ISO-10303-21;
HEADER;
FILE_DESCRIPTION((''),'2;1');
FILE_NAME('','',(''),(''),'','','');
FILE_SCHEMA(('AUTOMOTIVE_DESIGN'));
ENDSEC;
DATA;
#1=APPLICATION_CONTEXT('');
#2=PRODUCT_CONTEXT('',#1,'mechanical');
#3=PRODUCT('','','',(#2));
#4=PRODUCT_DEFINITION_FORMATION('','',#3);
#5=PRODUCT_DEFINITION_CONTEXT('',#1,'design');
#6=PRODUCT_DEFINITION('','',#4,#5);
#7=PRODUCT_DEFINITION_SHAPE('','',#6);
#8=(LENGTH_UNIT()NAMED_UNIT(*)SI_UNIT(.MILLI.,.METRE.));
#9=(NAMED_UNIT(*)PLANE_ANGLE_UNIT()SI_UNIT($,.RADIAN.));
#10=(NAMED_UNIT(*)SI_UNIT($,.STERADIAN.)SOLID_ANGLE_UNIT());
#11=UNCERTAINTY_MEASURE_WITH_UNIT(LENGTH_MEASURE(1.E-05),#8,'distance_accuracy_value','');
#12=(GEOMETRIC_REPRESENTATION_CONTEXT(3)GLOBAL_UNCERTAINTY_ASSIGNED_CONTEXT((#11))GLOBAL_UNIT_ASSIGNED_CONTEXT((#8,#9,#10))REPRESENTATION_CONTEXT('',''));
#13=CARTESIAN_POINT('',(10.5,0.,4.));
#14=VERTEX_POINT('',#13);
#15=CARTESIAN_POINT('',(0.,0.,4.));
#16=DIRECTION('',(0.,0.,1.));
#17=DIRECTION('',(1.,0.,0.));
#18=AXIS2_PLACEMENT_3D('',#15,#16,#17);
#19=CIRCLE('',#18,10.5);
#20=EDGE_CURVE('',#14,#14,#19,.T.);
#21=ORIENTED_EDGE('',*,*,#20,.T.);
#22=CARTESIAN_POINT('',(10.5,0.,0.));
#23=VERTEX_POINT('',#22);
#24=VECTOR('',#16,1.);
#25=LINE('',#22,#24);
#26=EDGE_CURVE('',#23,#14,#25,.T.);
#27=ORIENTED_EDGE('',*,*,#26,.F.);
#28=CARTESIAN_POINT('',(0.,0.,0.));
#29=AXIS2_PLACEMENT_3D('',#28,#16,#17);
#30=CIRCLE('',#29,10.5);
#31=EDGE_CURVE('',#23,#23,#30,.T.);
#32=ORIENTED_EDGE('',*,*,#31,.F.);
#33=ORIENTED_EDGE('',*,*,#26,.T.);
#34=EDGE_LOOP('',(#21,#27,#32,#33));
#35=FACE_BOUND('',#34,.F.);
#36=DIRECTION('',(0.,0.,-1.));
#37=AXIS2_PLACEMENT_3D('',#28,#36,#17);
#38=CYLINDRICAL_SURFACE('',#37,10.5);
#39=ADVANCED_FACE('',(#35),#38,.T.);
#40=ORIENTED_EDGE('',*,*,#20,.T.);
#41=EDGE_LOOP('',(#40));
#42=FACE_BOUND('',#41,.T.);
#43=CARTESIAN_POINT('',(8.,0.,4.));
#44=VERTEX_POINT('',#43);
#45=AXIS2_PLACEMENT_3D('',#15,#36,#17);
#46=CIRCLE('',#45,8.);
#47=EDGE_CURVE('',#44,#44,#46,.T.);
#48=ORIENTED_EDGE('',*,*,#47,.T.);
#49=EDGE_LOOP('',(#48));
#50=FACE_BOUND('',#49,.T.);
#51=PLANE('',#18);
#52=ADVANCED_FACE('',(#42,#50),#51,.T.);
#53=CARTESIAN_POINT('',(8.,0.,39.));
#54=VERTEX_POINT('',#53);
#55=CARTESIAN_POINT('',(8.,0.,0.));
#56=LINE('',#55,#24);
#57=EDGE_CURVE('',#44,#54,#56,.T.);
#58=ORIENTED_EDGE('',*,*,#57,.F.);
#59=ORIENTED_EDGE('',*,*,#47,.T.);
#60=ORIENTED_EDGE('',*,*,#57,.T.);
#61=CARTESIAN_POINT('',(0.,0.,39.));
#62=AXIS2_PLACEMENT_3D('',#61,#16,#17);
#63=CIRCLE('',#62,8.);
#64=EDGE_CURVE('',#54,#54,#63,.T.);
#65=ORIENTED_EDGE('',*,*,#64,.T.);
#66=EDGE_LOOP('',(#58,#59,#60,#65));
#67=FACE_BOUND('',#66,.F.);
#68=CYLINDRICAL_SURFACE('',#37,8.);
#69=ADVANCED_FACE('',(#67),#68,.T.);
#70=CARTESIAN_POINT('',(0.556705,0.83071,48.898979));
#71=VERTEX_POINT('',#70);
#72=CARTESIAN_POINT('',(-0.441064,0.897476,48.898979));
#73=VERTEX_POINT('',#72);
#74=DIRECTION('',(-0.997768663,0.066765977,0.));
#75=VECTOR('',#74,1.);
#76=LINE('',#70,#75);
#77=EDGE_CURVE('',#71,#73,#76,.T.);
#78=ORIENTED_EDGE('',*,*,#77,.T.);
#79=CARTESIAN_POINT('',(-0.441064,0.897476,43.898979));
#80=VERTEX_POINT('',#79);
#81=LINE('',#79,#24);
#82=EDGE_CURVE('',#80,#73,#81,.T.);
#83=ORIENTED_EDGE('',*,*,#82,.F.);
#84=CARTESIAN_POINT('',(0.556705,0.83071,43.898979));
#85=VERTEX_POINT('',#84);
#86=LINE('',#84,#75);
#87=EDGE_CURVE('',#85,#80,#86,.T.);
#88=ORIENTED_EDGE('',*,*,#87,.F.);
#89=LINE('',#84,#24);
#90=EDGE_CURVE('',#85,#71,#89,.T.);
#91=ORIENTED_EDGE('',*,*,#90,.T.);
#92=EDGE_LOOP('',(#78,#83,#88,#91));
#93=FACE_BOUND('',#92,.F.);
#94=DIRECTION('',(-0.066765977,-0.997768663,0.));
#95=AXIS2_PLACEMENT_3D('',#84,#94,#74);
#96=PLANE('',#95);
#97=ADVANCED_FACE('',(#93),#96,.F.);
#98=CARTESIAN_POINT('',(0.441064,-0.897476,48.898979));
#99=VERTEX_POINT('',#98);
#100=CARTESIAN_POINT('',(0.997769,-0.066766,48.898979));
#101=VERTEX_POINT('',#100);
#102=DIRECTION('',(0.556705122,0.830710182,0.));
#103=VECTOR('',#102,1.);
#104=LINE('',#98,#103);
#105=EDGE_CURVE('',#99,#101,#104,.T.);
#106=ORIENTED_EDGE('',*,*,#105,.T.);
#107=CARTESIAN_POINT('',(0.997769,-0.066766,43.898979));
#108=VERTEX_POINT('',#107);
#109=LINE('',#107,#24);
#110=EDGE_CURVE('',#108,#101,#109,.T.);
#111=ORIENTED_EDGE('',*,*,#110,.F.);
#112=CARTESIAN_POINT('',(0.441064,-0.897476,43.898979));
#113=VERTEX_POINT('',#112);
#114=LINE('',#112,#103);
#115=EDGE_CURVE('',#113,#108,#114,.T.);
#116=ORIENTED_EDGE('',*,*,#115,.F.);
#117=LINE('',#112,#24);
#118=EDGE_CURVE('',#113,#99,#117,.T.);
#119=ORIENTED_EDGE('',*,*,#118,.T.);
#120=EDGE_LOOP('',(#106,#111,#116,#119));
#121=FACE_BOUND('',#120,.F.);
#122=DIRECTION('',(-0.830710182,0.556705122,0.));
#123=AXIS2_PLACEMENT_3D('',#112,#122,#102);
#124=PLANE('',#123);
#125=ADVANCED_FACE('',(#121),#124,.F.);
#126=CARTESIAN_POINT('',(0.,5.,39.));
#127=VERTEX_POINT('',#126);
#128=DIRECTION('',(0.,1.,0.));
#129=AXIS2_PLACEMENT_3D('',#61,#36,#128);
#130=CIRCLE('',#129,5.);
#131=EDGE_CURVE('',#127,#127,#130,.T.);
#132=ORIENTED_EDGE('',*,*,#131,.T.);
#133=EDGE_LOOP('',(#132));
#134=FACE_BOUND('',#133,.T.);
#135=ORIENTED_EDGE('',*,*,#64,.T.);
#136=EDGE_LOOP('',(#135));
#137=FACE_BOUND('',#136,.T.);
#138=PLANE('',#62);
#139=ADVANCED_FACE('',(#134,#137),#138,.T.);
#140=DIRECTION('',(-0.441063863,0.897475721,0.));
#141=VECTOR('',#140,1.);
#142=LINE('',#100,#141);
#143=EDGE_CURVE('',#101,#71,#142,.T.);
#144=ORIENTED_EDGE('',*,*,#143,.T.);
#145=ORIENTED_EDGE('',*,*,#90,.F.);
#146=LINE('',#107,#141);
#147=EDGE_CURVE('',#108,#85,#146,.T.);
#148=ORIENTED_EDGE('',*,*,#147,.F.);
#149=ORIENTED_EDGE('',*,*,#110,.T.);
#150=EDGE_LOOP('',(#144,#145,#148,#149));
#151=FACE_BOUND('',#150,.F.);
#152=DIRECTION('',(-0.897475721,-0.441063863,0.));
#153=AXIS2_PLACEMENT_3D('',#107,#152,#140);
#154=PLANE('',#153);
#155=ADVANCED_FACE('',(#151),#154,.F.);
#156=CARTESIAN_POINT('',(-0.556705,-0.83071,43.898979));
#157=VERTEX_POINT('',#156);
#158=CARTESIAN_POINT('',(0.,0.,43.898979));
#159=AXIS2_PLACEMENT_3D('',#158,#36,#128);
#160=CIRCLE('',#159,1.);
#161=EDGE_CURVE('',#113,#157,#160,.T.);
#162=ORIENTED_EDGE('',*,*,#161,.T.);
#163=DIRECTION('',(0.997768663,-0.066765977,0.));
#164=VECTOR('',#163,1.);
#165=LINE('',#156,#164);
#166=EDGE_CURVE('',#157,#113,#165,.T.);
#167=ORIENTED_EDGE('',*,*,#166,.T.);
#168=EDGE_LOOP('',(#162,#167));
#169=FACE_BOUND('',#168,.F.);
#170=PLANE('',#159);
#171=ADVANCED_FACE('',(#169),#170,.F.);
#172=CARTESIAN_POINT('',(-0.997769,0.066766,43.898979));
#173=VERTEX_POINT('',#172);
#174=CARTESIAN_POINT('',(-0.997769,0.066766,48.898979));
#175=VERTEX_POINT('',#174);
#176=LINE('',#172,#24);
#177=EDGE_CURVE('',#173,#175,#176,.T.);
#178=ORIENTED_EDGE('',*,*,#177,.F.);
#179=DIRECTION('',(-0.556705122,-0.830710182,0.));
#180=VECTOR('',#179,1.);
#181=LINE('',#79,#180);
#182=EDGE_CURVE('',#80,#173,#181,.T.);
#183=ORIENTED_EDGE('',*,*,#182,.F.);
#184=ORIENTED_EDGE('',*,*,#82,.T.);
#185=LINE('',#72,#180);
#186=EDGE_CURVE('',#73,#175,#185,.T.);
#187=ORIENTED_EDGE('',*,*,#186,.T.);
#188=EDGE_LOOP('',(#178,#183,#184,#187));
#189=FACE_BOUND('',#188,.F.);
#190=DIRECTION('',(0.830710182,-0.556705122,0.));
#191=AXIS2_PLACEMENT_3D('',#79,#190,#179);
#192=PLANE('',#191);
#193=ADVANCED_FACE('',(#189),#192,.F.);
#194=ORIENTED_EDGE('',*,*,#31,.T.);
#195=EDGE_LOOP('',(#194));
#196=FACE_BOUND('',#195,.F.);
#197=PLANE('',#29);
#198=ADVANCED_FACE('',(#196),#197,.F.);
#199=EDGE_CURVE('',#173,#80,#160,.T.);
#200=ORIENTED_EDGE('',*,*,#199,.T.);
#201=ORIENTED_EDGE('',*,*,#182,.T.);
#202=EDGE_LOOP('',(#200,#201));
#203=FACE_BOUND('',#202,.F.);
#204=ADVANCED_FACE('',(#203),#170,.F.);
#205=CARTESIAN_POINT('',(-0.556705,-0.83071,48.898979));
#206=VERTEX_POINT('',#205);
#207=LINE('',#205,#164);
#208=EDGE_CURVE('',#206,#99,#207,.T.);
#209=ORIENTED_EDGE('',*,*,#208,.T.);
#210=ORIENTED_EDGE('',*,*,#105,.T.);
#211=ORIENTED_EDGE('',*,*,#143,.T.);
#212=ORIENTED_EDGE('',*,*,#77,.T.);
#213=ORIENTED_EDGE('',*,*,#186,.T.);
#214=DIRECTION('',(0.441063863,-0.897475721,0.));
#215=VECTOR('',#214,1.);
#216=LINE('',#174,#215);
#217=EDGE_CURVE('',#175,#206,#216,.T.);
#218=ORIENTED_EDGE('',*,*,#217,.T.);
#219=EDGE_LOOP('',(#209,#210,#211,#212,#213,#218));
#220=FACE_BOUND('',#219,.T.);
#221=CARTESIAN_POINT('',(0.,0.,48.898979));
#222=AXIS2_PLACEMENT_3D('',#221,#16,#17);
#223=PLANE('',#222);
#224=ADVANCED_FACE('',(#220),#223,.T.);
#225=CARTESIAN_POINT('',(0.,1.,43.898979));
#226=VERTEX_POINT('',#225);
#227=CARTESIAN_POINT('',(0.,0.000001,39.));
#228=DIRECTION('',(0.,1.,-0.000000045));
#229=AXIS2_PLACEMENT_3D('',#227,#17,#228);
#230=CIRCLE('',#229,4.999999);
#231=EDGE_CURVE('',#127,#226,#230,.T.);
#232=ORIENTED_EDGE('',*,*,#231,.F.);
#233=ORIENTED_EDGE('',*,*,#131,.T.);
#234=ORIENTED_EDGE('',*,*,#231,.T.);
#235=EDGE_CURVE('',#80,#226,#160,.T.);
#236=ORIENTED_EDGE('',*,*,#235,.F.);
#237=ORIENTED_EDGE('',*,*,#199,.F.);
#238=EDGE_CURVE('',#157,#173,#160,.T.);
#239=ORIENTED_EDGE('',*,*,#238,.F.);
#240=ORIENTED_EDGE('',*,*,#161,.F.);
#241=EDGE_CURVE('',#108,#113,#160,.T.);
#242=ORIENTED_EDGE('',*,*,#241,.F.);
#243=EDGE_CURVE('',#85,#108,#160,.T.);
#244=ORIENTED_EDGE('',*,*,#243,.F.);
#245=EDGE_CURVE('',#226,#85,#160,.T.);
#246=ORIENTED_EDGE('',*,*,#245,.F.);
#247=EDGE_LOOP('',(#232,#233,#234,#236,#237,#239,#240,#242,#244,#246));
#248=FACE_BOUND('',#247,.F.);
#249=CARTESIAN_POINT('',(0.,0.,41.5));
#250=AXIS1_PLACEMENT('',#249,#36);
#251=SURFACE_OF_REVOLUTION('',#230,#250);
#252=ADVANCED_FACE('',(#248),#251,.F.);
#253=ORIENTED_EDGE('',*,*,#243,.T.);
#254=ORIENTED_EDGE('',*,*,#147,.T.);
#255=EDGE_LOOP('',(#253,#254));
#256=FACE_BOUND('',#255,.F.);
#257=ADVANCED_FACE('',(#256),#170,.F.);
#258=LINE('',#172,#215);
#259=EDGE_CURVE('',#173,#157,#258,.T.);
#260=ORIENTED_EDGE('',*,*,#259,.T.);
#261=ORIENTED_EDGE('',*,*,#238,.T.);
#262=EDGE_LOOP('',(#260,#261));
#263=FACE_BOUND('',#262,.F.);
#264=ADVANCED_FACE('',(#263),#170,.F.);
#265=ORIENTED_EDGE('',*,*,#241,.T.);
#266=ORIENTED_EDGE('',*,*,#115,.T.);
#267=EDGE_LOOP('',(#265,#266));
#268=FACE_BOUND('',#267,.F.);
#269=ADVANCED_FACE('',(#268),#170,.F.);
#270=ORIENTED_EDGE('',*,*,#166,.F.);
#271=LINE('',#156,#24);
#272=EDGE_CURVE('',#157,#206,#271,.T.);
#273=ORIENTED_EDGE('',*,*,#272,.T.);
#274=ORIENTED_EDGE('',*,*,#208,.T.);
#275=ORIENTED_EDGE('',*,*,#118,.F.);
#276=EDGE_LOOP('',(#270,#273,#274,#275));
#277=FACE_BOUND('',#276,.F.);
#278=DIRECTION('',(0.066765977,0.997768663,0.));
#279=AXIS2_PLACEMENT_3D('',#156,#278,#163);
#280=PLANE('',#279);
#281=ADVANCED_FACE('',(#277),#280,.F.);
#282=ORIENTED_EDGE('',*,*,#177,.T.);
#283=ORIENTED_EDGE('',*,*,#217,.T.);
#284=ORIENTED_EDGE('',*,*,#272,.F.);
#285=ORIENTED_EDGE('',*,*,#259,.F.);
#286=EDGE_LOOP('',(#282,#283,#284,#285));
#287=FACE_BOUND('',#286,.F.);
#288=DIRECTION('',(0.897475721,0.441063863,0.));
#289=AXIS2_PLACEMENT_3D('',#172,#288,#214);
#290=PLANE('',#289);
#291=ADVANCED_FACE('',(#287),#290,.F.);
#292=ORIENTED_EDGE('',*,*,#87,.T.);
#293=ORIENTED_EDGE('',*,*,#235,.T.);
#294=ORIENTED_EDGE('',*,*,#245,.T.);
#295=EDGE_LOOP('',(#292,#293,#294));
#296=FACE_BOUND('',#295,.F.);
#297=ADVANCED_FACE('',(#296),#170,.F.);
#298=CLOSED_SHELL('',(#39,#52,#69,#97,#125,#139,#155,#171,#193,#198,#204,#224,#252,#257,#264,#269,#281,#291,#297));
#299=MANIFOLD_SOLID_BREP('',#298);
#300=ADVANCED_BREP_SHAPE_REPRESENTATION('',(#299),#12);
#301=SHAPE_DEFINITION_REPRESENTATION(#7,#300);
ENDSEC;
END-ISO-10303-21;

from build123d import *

# Parameters (mm, degrees)
F0_R     = 10.5
F1_DEPTH = 4
F2_R     = 8
F3_DEPTH = 39
F7_DEPTH = 5


with BuildPart() as f1:
    # F0 (on Top) → F1 (new body)
    with BuildSketch(Plane.XY):
        Circle(F0_R)
    extrude(amount=F1_DEPTH)

    # F2 (on Top) → F3 (join)
    with BuildSketch(Plane.XY):
        Circle(F2_R)
    extrude(amount=F3_DEPTH)

    # F4 (on Right) → F5 (revolve)
    with BuildSketch(Plane.YZ):
        with BuildLine():
            Line((1, 43.898979), (0, 43.898979))
            Line((0, 43.898979), (0, 39))
            Line((0, 39), (5, 39))
            ThreePointArc((5, 39), (3.872983, 42.162278), (1, 43.898979))
        make_face()
    revolve(axis=Axis((0, 0, 41.5), (0, 0, -1)))

    # F6 (on face) → F7 (join)
    with BuildSketch(Plane.XY.offset(43.898979)):
        Polygon((0.441064, -0.897476), (0.997769, -0.066766), (0.556705, 0.83071), (-0.441064, 0.897476), (-0.997769, 0.066766), (-0.556705, -0.83071), align=None)
    extrude(amount=F7_DEPTH)


solid = f1.part
